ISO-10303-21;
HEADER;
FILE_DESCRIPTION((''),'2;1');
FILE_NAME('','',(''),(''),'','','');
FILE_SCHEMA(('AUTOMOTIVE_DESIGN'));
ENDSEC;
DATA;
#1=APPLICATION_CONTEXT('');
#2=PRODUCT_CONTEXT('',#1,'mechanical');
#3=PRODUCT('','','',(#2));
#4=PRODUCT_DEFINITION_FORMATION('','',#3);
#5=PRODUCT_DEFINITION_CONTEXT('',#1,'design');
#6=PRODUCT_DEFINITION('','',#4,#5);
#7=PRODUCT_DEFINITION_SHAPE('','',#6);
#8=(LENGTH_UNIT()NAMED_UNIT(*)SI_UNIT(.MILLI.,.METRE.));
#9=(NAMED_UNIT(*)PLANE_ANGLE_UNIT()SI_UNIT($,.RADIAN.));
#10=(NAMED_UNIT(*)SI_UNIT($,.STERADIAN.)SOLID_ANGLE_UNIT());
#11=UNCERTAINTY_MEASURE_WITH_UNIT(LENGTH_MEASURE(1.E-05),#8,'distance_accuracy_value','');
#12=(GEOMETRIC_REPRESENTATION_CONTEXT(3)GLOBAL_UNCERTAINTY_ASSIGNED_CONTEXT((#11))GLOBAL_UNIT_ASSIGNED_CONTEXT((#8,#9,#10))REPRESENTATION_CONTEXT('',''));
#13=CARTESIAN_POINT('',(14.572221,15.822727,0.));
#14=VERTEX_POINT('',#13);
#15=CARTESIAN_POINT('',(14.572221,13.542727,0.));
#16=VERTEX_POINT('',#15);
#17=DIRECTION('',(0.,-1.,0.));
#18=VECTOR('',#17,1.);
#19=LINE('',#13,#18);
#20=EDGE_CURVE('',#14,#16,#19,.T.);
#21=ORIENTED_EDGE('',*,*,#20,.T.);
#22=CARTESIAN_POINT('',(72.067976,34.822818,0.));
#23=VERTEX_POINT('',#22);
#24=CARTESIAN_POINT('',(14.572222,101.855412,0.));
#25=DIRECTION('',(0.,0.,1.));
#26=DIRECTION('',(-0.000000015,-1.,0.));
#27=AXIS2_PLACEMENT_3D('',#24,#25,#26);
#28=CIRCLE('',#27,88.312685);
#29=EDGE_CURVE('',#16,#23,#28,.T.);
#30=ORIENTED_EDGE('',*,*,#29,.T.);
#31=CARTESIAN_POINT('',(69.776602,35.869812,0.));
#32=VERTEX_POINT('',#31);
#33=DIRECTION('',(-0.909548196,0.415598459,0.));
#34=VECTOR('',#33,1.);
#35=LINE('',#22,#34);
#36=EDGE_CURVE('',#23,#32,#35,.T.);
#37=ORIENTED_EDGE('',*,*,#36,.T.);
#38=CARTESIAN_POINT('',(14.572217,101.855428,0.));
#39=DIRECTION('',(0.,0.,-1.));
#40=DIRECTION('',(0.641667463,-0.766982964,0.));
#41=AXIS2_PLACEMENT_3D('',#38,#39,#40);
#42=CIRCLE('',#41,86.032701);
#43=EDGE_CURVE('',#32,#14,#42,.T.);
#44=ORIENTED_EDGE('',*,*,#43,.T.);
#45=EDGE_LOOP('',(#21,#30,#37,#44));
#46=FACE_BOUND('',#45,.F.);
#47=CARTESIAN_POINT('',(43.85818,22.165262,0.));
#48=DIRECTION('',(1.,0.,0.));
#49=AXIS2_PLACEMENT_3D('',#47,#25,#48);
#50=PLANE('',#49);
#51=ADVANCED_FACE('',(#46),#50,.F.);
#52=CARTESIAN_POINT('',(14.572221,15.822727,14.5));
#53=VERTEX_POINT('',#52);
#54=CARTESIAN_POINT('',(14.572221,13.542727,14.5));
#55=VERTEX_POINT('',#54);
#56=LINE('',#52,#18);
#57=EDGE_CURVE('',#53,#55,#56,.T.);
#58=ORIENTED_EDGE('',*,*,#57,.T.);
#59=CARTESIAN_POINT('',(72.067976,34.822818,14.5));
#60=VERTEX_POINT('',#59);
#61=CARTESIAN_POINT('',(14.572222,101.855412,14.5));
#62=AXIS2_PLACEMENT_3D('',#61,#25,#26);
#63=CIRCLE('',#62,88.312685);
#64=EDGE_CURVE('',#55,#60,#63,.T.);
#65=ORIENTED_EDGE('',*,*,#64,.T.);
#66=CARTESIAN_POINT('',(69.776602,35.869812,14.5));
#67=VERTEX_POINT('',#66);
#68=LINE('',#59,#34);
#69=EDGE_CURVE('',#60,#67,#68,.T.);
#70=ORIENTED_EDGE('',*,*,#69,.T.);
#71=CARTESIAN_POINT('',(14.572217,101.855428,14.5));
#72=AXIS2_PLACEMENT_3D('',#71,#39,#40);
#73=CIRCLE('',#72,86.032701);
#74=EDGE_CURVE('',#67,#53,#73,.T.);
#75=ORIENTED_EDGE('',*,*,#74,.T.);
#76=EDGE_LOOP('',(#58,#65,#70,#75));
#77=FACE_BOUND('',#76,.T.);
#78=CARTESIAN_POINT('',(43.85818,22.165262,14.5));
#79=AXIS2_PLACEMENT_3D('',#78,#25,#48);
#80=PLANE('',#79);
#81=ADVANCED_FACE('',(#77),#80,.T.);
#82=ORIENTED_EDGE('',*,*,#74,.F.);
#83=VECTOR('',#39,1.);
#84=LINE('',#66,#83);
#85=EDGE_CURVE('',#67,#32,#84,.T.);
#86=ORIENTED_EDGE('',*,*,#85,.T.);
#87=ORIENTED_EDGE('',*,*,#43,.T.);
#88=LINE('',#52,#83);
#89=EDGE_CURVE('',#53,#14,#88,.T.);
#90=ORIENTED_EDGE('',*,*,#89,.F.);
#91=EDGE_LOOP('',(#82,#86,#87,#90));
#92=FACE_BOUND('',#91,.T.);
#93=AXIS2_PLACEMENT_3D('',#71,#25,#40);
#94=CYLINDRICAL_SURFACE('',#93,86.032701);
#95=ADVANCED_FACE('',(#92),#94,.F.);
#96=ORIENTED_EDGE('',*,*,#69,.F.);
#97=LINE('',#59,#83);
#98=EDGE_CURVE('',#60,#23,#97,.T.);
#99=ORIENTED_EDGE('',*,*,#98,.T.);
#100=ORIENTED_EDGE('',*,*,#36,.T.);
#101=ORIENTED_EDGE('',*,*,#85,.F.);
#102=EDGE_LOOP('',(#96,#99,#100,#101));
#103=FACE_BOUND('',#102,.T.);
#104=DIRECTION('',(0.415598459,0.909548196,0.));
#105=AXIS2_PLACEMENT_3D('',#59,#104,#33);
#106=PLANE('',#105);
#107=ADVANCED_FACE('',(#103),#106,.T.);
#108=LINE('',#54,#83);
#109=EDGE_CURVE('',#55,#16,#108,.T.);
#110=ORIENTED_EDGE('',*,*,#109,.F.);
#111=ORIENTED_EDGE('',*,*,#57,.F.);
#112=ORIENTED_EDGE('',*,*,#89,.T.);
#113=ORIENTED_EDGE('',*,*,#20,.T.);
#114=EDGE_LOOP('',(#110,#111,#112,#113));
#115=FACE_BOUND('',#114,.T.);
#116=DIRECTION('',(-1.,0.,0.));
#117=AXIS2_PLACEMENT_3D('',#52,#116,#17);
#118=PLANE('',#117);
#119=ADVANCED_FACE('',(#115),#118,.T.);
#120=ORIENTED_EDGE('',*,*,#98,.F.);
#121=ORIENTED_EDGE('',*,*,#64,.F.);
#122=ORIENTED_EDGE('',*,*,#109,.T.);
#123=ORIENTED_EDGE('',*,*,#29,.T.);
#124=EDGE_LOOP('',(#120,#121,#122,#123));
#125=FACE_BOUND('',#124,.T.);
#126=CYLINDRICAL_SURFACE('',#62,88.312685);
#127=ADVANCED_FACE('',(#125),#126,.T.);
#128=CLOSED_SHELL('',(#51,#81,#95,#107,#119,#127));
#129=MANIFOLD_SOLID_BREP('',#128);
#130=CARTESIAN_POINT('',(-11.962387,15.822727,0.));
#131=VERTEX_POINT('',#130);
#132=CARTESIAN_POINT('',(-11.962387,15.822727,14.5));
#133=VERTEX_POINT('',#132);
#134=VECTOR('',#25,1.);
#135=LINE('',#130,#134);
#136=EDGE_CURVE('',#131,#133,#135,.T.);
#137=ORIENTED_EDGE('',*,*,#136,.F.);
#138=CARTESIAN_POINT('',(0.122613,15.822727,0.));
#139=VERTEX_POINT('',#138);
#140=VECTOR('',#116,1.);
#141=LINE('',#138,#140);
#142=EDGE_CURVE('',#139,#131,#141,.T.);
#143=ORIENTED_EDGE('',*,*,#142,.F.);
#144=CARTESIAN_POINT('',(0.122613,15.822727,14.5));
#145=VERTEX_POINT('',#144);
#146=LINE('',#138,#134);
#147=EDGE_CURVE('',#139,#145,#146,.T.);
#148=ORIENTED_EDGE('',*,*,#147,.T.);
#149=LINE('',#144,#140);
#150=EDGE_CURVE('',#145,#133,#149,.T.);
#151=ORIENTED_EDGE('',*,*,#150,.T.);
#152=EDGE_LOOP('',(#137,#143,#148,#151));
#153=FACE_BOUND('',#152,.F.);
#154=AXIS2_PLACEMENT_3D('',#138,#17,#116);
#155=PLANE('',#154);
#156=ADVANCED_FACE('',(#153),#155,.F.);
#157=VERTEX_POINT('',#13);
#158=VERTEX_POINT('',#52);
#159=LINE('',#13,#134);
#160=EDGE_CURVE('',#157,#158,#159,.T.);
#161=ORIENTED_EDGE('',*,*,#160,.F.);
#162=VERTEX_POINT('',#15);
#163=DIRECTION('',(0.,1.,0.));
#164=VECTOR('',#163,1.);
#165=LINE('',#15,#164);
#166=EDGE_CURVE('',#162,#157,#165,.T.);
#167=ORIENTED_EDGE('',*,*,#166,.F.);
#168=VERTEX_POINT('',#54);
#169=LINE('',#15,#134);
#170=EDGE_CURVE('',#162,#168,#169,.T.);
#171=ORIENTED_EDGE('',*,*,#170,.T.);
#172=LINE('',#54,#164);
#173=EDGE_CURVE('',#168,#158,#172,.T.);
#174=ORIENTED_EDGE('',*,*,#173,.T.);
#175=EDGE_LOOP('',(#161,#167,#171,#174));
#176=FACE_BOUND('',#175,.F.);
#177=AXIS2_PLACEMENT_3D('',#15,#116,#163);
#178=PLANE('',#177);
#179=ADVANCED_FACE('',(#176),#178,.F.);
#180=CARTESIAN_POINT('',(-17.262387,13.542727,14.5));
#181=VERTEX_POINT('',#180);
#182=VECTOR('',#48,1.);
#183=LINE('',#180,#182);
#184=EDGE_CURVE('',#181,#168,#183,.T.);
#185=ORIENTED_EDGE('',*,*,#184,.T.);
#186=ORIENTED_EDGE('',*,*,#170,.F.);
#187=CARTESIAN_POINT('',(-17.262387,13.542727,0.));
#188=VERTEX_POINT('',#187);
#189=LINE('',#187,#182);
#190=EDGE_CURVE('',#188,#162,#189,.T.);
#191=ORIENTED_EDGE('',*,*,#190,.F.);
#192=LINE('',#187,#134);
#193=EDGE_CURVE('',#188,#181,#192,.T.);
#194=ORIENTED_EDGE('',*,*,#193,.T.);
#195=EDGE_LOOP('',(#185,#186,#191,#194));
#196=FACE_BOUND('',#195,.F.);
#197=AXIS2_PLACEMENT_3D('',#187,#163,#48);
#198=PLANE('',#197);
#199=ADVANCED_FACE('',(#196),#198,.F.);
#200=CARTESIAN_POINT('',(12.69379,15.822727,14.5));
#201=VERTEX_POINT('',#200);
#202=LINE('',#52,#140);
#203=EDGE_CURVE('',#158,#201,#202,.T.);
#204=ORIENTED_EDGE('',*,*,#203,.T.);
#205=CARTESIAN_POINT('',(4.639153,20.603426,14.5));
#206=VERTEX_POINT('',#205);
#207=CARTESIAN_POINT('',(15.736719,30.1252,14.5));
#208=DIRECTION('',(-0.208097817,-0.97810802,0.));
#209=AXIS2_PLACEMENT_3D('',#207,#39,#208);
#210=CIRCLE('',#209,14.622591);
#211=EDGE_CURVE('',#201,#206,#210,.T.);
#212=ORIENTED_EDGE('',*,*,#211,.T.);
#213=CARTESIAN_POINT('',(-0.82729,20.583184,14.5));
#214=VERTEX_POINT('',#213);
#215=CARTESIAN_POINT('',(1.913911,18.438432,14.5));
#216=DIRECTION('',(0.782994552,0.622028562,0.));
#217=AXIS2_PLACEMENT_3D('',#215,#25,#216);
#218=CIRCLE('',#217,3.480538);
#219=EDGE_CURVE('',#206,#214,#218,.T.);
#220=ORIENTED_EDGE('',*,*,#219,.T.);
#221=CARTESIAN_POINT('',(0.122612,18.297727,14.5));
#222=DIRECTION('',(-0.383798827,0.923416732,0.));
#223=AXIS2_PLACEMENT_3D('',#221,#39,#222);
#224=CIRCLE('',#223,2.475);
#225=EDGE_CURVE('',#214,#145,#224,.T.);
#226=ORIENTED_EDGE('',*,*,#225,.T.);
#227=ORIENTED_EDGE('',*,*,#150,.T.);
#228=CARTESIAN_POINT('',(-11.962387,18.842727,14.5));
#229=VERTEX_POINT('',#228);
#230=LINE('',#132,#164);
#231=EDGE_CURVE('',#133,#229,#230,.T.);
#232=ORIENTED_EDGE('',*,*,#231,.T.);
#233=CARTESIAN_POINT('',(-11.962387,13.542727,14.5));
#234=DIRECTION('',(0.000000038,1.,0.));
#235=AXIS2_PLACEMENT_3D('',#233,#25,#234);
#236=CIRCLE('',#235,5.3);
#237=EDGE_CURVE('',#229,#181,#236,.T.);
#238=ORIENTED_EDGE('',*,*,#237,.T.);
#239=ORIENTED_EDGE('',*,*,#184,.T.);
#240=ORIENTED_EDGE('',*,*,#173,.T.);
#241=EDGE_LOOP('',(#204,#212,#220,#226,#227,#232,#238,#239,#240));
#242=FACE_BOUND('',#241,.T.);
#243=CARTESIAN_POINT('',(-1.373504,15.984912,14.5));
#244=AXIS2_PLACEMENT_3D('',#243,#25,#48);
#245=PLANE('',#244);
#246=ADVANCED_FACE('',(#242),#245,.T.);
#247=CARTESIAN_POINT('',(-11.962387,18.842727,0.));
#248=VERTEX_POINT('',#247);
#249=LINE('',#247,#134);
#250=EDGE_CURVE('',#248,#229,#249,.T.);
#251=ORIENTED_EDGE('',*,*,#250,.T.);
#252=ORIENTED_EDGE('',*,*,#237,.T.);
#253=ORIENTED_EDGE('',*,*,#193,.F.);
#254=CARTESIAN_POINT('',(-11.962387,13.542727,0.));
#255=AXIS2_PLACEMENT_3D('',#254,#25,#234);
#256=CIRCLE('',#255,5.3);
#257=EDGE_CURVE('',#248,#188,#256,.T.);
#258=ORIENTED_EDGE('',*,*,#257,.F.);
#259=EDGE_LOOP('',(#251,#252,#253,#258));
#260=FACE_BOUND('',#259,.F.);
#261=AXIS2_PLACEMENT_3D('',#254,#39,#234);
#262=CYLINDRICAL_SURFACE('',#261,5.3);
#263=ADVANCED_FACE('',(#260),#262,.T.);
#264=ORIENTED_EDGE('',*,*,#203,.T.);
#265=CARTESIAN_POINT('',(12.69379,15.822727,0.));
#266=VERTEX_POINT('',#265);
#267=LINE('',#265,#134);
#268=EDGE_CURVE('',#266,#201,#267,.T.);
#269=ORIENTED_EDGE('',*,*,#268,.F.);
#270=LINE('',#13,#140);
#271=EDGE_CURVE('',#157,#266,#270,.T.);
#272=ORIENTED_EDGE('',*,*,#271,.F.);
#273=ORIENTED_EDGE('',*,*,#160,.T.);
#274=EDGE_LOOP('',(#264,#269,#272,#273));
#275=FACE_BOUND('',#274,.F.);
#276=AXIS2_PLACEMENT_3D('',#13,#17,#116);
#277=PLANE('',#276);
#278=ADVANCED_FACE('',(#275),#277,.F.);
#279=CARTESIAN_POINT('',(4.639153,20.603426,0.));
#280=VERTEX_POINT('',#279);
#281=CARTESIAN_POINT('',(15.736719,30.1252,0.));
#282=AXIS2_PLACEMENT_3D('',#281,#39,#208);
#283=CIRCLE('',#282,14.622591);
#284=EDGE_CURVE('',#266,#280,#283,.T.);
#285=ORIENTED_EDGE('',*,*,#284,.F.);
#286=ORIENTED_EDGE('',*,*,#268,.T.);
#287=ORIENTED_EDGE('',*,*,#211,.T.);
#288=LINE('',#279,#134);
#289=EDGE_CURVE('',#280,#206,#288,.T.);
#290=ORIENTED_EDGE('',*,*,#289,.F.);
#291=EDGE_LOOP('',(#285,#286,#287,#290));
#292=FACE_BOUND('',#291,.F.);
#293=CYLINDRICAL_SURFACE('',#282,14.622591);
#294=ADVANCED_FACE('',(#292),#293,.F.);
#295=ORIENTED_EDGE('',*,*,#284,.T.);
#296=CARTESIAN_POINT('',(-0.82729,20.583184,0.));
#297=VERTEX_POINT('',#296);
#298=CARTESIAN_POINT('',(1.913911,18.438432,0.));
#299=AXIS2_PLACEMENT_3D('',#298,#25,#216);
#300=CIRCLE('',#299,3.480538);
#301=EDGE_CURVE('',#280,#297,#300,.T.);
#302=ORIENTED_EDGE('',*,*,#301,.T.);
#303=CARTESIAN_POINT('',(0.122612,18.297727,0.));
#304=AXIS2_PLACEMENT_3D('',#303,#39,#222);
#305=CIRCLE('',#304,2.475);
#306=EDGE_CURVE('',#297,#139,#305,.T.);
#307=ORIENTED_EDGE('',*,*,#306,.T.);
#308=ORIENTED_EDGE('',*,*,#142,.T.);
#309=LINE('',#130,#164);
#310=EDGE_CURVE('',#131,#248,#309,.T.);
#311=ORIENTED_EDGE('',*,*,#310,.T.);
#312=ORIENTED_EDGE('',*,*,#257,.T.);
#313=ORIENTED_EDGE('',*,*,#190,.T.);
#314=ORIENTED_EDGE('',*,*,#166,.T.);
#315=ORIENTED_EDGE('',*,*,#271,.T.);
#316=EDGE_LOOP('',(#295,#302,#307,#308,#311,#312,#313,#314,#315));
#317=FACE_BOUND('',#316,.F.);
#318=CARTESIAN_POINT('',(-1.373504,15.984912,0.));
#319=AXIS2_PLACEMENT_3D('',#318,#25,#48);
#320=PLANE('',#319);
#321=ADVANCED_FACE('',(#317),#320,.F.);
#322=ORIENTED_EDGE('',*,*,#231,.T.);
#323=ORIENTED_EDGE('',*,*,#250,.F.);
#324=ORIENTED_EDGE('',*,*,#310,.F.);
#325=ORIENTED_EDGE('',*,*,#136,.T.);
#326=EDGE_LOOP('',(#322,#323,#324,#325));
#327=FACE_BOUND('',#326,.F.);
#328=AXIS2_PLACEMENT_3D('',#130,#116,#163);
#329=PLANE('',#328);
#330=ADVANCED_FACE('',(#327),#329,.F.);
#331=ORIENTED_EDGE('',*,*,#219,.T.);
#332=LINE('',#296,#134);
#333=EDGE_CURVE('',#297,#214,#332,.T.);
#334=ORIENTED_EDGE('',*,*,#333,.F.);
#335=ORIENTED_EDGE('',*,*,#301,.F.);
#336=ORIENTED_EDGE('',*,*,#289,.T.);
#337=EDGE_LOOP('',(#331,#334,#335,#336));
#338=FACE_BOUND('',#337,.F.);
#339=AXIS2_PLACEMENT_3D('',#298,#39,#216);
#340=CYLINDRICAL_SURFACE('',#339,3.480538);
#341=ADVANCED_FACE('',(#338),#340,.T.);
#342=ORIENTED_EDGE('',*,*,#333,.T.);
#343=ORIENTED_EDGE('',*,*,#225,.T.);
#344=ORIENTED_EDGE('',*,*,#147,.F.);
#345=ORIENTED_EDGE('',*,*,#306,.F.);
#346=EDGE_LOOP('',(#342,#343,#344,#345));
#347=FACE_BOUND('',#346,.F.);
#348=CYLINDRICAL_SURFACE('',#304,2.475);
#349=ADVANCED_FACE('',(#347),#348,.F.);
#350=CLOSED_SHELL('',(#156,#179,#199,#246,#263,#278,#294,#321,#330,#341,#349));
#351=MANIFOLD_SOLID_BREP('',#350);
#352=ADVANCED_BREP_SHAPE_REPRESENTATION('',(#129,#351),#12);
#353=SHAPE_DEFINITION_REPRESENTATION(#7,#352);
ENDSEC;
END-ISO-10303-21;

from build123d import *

# Parameters (mm, degrees)
F1_DEPTH = 14.5
F3_DEPTH = 14.5


with BuildPart() as f1:
    # F0 (on Top) → F1 (new body)
    with BuildSketch(Plane.XY):
        with BuildLine():
            Line((-11.962387, 15.822727), (-11.962387, 18.842727))
            ThreePointArc((-11.962387, 18.842727), (-15.710053, 17.290393), (-17.262387, 13.542727))
            Line((-17.262387, 13.542727), (-11.962387, 13.542727))
            Line((-11.962387, 13.542727), (2.65536, 13.542727))
            Line((2.65536, 13.542727), (14.572221, 13.542727))
            Line((14.572221, 13.542727), (14.572221, 15.822727))
            Line((14.572221, 15.822727), (12.69379, 15.822727))
            ThreePointArc((12.69379, 15.822727), (8.27333, 17.550703), (4.639153, 20.603426))
            ThreePointArc((4.639153, 20.603426), (1.901023, 21.918946), (-0.82729, 20.583184))
            ThreePointArc((-0.82729, 20.583184), (2.549764, 18.782042), (0.122613, 15.822727))
            Line((0.122613, 15.822727), (-11.962387, 15.822727))
        make_face()
    extrude(amount=F1_DEPTH)


with BuildPart() as f3:
    # F2 (on face) → F3 (new body)
    with BuildSketch(Plane.XY.offset(14.5)):
        with BuildLine():
            ThreePointArc((69.776602, 35.869812), (43.938057, 20.989656), (14.572221, 15.822727))
            Line((14.572221, 15.822727), (14.572221, 13.542727))
            ThreePointArc((14.572221, 13.542727), (45.225949, 19.033438), (72.067976, 34.822818))
            Line((72.067976, 34.822818), (69.776602, 35.869812))
        make_face()
    extrude(amount=-F3_DEPTH)


solid = Compound([f1.part, f3.part])
